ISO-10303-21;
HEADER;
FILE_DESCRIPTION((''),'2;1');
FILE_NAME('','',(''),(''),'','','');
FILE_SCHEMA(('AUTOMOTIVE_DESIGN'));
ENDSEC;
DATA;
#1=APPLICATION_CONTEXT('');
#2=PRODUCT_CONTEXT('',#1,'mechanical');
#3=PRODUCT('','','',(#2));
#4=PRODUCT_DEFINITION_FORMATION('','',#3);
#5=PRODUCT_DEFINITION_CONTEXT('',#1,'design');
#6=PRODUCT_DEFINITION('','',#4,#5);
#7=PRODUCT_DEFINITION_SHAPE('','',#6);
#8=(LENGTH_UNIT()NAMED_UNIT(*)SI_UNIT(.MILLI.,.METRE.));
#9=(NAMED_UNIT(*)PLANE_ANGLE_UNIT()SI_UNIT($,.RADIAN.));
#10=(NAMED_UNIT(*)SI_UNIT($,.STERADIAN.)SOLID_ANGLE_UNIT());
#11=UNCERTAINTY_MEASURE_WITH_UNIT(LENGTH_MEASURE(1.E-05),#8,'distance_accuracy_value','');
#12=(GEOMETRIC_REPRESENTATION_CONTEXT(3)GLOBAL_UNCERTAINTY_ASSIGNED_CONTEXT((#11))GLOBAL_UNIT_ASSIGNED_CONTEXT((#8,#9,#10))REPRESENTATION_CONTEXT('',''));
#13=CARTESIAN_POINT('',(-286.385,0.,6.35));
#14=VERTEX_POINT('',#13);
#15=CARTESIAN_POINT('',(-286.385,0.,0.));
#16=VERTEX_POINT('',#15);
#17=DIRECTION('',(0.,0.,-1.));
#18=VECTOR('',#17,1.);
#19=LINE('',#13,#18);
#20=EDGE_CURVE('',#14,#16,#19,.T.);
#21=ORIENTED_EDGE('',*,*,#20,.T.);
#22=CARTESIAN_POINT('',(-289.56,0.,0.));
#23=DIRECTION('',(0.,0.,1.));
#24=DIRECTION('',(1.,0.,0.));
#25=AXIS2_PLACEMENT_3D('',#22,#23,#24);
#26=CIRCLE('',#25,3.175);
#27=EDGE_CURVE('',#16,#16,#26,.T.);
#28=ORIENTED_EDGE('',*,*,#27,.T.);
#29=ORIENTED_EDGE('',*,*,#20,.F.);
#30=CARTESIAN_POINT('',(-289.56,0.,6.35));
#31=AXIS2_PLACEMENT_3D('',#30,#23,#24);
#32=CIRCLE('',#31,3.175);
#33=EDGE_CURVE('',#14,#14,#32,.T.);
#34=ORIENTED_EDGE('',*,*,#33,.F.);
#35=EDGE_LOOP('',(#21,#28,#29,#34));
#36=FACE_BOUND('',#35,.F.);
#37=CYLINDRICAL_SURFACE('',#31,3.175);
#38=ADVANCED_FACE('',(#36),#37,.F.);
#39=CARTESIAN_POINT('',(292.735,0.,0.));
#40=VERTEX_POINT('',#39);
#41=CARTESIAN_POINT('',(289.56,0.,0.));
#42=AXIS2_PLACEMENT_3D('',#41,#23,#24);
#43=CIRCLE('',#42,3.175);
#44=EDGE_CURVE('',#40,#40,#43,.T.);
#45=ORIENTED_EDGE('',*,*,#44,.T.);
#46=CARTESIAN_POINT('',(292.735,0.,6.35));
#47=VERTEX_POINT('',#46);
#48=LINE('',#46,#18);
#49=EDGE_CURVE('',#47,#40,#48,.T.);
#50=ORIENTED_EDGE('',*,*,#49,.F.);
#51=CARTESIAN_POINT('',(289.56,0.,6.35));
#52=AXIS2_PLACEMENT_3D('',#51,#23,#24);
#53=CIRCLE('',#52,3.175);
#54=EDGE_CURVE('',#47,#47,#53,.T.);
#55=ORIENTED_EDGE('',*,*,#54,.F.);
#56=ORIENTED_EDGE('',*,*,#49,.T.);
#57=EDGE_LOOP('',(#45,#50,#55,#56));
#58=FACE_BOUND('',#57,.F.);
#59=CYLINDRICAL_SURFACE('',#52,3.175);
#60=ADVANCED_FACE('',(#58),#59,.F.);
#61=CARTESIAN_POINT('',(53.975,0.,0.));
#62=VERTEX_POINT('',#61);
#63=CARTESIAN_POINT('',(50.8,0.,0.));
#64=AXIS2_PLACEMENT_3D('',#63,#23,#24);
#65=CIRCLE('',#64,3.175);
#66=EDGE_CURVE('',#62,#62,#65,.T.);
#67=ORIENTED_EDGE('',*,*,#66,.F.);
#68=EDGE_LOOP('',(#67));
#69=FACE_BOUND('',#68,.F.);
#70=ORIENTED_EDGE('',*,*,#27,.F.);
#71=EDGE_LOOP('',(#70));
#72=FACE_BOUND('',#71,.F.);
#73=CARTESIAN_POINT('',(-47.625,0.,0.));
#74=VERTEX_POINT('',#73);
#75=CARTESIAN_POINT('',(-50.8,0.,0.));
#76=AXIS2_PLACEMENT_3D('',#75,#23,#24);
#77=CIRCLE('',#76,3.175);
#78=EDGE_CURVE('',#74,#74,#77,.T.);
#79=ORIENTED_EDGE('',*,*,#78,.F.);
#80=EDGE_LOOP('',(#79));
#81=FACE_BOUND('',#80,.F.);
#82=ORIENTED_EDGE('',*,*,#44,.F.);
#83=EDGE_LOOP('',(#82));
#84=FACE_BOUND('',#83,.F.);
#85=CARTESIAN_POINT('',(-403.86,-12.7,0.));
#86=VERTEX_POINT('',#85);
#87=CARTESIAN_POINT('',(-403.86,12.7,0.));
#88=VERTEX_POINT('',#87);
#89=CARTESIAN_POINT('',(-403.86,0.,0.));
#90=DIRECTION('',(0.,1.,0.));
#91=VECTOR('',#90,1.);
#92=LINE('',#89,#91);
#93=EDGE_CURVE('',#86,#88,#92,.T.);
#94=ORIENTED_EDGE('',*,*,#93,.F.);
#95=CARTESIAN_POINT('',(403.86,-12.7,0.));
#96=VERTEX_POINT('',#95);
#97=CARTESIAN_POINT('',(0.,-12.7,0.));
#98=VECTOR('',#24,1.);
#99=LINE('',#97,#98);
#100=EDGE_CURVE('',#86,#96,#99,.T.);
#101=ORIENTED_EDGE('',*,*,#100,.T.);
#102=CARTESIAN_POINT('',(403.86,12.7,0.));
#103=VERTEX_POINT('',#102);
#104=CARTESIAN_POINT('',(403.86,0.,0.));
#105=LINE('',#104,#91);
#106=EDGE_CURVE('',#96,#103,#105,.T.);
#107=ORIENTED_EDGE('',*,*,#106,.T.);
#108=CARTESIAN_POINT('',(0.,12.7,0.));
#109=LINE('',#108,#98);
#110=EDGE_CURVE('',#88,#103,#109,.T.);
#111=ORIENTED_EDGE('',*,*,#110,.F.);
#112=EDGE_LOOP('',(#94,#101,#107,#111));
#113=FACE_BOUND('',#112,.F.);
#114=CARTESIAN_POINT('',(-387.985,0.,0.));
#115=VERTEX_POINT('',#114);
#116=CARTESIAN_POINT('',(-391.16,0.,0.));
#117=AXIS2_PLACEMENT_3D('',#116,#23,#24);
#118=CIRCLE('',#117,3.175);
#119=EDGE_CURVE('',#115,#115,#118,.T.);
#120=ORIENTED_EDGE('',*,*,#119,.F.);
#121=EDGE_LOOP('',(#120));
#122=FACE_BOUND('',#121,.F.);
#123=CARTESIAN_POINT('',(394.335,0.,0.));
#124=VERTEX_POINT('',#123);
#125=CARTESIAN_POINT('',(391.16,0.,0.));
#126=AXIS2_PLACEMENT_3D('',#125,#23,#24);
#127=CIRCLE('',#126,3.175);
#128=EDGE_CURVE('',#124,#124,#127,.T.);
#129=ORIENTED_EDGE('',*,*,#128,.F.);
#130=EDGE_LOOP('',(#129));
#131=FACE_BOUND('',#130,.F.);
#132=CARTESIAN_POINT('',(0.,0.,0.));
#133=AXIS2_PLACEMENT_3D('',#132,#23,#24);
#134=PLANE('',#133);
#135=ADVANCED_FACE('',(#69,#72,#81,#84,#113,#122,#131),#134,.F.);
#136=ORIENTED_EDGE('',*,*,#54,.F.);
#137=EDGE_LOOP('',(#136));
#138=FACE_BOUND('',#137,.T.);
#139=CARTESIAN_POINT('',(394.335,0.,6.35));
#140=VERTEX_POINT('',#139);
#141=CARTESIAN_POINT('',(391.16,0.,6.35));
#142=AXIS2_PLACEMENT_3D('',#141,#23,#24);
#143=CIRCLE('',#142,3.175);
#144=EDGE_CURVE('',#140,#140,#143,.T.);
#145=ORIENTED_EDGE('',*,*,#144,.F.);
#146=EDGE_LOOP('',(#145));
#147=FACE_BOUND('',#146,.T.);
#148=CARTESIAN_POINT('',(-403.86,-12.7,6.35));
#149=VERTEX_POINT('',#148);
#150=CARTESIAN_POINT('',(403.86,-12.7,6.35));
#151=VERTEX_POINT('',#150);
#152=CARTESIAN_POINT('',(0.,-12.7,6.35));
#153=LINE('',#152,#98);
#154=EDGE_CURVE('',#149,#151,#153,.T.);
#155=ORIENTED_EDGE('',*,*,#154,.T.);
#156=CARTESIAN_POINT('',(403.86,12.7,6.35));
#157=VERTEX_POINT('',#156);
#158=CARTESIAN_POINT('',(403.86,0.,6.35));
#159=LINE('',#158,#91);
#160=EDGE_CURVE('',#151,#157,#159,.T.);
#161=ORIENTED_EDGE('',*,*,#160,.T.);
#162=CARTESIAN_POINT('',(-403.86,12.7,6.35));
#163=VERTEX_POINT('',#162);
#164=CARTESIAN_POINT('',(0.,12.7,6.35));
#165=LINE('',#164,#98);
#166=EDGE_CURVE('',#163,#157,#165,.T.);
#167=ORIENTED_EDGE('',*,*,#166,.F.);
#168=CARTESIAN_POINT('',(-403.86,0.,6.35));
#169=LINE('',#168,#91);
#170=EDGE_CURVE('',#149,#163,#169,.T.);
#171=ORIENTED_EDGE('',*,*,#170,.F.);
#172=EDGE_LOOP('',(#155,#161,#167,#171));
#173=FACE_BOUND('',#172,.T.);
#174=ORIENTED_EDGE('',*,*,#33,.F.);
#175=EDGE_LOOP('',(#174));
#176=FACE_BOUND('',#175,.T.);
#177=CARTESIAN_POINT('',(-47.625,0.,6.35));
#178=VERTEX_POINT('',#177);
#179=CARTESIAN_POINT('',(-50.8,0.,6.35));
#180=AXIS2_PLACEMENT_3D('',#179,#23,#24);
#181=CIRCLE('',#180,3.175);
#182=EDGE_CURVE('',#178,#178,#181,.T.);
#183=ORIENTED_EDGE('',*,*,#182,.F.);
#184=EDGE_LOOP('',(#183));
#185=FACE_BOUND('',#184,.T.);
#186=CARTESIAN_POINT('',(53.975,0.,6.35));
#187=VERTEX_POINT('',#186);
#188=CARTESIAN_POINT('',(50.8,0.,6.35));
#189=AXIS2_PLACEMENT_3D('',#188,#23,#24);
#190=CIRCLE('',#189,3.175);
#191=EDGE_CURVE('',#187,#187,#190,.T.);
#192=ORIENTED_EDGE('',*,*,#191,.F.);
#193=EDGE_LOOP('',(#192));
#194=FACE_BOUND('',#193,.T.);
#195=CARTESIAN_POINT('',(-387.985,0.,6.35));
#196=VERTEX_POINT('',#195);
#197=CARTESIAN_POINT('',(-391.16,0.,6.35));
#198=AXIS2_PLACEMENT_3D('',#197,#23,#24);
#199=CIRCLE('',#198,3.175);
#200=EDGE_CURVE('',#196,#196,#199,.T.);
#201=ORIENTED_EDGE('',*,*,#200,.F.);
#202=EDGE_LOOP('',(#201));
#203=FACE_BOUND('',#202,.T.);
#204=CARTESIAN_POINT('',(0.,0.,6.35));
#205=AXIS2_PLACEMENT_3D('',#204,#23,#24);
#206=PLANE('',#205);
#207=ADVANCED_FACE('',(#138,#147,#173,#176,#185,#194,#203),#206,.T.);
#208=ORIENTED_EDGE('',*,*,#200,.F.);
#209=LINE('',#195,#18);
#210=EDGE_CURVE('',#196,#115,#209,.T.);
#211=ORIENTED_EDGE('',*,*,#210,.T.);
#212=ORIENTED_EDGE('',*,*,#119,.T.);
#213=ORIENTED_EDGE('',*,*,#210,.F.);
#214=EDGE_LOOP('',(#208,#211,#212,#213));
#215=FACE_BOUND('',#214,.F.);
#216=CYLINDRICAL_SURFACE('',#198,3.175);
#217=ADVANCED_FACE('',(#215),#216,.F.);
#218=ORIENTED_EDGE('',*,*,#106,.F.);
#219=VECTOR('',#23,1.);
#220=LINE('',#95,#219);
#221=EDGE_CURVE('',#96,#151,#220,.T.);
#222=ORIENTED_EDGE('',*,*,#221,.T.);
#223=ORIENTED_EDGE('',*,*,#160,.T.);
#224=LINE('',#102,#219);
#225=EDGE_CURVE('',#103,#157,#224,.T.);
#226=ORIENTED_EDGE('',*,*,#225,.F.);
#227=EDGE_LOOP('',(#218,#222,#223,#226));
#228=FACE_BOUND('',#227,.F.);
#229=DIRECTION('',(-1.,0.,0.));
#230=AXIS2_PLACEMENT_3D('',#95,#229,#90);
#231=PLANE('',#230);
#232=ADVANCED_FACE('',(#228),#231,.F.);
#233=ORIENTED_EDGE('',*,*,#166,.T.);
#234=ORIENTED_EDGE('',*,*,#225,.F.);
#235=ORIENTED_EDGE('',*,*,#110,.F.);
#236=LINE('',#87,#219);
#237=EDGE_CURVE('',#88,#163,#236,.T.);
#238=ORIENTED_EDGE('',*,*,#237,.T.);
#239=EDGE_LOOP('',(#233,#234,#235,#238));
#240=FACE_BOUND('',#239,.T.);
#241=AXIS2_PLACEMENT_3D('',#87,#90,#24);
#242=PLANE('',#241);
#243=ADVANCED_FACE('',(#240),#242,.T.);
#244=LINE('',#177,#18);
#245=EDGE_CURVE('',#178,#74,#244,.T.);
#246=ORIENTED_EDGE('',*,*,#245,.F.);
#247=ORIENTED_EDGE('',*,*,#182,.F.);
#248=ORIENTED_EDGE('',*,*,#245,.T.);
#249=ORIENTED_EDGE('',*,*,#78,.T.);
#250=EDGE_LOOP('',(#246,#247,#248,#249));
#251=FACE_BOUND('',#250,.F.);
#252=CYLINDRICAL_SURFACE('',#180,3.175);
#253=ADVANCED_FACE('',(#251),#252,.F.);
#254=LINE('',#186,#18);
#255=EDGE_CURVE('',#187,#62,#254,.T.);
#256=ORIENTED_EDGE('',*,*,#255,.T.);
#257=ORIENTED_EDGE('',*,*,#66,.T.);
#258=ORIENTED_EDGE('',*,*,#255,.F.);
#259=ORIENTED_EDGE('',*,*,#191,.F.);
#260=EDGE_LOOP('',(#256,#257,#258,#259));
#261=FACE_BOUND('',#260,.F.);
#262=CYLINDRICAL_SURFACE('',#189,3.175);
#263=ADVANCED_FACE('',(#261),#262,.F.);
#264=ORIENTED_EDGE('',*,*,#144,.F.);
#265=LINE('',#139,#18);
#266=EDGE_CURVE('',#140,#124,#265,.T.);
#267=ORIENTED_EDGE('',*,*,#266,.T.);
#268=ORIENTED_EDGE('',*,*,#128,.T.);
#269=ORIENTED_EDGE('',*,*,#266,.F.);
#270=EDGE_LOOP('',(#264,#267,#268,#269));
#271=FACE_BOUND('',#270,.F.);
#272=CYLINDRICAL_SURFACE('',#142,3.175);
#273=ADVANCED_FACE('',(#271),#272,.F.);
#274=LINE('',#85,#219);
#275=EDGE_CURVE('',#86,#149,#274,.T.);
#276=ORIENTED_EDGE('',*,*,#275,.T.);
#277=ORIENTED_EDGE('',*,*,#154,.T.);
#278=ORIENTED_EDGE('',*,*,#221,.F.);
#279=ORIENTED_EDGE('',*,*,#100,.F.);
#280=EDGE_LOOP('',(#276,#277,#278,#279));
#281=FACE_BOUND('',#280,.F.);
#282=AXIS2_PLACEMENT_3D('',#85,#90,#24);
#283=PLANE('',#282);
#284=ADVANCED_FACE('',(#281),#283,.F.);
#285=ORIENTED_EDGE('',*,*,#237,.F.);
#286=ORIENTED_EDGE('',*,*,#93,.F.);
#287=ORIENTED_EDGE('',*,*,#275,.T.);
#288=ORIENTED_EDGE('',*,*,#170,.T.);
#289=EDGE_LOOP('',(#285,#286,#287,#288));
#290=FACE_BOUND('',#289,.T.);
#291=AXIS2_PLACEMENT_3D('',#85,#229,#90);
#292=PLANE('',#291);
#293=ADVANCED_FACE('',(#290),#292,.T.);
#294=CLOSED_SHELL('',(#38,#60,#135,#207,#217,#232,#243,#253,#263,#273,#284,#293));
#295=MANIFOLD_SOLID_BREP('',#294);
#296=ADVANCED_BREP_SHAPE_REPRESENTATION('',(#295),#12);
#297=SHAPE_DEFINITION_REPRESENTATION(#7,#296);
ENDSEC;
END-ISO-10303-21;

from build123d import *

# Parameters (mm, degrees)
F0_W     = 807.72
F0_H     = 25.4
F1_DEPTH = 6.35
F2_R     = 3.175
F3_DEPTH = 25.4


with BuildPart() as f1:
    # F0 (on Top) → F1 (new body)
    with BuildSketch(Plane.XY):
        Rectangle(F0_W, F0_H)
    extrude(amount=F1_DEPTH)

    # F2 (on face) → F3 (cut)
    with BuildSketch(Plane.XY.offset(6.35)):
        with Locations((-391.16, 0)):
            Circle(F2_R)
        with Locations((-289.56, 0)):
            Circle(F2_R)
        with Locations((-50.8, 0)):
            Circle(F2_R)
        with Locations((50.8, 0)):
            Circle(F2_R)
        with Locations((289.56, 0)):
            Circle(F2_R)
        with Locations((391.16, 0)):
            Circle(F2_R)
    extrude(amount=-F3_DEPTH, mode=Mode.SUBTRACT)


solid = f1.part
